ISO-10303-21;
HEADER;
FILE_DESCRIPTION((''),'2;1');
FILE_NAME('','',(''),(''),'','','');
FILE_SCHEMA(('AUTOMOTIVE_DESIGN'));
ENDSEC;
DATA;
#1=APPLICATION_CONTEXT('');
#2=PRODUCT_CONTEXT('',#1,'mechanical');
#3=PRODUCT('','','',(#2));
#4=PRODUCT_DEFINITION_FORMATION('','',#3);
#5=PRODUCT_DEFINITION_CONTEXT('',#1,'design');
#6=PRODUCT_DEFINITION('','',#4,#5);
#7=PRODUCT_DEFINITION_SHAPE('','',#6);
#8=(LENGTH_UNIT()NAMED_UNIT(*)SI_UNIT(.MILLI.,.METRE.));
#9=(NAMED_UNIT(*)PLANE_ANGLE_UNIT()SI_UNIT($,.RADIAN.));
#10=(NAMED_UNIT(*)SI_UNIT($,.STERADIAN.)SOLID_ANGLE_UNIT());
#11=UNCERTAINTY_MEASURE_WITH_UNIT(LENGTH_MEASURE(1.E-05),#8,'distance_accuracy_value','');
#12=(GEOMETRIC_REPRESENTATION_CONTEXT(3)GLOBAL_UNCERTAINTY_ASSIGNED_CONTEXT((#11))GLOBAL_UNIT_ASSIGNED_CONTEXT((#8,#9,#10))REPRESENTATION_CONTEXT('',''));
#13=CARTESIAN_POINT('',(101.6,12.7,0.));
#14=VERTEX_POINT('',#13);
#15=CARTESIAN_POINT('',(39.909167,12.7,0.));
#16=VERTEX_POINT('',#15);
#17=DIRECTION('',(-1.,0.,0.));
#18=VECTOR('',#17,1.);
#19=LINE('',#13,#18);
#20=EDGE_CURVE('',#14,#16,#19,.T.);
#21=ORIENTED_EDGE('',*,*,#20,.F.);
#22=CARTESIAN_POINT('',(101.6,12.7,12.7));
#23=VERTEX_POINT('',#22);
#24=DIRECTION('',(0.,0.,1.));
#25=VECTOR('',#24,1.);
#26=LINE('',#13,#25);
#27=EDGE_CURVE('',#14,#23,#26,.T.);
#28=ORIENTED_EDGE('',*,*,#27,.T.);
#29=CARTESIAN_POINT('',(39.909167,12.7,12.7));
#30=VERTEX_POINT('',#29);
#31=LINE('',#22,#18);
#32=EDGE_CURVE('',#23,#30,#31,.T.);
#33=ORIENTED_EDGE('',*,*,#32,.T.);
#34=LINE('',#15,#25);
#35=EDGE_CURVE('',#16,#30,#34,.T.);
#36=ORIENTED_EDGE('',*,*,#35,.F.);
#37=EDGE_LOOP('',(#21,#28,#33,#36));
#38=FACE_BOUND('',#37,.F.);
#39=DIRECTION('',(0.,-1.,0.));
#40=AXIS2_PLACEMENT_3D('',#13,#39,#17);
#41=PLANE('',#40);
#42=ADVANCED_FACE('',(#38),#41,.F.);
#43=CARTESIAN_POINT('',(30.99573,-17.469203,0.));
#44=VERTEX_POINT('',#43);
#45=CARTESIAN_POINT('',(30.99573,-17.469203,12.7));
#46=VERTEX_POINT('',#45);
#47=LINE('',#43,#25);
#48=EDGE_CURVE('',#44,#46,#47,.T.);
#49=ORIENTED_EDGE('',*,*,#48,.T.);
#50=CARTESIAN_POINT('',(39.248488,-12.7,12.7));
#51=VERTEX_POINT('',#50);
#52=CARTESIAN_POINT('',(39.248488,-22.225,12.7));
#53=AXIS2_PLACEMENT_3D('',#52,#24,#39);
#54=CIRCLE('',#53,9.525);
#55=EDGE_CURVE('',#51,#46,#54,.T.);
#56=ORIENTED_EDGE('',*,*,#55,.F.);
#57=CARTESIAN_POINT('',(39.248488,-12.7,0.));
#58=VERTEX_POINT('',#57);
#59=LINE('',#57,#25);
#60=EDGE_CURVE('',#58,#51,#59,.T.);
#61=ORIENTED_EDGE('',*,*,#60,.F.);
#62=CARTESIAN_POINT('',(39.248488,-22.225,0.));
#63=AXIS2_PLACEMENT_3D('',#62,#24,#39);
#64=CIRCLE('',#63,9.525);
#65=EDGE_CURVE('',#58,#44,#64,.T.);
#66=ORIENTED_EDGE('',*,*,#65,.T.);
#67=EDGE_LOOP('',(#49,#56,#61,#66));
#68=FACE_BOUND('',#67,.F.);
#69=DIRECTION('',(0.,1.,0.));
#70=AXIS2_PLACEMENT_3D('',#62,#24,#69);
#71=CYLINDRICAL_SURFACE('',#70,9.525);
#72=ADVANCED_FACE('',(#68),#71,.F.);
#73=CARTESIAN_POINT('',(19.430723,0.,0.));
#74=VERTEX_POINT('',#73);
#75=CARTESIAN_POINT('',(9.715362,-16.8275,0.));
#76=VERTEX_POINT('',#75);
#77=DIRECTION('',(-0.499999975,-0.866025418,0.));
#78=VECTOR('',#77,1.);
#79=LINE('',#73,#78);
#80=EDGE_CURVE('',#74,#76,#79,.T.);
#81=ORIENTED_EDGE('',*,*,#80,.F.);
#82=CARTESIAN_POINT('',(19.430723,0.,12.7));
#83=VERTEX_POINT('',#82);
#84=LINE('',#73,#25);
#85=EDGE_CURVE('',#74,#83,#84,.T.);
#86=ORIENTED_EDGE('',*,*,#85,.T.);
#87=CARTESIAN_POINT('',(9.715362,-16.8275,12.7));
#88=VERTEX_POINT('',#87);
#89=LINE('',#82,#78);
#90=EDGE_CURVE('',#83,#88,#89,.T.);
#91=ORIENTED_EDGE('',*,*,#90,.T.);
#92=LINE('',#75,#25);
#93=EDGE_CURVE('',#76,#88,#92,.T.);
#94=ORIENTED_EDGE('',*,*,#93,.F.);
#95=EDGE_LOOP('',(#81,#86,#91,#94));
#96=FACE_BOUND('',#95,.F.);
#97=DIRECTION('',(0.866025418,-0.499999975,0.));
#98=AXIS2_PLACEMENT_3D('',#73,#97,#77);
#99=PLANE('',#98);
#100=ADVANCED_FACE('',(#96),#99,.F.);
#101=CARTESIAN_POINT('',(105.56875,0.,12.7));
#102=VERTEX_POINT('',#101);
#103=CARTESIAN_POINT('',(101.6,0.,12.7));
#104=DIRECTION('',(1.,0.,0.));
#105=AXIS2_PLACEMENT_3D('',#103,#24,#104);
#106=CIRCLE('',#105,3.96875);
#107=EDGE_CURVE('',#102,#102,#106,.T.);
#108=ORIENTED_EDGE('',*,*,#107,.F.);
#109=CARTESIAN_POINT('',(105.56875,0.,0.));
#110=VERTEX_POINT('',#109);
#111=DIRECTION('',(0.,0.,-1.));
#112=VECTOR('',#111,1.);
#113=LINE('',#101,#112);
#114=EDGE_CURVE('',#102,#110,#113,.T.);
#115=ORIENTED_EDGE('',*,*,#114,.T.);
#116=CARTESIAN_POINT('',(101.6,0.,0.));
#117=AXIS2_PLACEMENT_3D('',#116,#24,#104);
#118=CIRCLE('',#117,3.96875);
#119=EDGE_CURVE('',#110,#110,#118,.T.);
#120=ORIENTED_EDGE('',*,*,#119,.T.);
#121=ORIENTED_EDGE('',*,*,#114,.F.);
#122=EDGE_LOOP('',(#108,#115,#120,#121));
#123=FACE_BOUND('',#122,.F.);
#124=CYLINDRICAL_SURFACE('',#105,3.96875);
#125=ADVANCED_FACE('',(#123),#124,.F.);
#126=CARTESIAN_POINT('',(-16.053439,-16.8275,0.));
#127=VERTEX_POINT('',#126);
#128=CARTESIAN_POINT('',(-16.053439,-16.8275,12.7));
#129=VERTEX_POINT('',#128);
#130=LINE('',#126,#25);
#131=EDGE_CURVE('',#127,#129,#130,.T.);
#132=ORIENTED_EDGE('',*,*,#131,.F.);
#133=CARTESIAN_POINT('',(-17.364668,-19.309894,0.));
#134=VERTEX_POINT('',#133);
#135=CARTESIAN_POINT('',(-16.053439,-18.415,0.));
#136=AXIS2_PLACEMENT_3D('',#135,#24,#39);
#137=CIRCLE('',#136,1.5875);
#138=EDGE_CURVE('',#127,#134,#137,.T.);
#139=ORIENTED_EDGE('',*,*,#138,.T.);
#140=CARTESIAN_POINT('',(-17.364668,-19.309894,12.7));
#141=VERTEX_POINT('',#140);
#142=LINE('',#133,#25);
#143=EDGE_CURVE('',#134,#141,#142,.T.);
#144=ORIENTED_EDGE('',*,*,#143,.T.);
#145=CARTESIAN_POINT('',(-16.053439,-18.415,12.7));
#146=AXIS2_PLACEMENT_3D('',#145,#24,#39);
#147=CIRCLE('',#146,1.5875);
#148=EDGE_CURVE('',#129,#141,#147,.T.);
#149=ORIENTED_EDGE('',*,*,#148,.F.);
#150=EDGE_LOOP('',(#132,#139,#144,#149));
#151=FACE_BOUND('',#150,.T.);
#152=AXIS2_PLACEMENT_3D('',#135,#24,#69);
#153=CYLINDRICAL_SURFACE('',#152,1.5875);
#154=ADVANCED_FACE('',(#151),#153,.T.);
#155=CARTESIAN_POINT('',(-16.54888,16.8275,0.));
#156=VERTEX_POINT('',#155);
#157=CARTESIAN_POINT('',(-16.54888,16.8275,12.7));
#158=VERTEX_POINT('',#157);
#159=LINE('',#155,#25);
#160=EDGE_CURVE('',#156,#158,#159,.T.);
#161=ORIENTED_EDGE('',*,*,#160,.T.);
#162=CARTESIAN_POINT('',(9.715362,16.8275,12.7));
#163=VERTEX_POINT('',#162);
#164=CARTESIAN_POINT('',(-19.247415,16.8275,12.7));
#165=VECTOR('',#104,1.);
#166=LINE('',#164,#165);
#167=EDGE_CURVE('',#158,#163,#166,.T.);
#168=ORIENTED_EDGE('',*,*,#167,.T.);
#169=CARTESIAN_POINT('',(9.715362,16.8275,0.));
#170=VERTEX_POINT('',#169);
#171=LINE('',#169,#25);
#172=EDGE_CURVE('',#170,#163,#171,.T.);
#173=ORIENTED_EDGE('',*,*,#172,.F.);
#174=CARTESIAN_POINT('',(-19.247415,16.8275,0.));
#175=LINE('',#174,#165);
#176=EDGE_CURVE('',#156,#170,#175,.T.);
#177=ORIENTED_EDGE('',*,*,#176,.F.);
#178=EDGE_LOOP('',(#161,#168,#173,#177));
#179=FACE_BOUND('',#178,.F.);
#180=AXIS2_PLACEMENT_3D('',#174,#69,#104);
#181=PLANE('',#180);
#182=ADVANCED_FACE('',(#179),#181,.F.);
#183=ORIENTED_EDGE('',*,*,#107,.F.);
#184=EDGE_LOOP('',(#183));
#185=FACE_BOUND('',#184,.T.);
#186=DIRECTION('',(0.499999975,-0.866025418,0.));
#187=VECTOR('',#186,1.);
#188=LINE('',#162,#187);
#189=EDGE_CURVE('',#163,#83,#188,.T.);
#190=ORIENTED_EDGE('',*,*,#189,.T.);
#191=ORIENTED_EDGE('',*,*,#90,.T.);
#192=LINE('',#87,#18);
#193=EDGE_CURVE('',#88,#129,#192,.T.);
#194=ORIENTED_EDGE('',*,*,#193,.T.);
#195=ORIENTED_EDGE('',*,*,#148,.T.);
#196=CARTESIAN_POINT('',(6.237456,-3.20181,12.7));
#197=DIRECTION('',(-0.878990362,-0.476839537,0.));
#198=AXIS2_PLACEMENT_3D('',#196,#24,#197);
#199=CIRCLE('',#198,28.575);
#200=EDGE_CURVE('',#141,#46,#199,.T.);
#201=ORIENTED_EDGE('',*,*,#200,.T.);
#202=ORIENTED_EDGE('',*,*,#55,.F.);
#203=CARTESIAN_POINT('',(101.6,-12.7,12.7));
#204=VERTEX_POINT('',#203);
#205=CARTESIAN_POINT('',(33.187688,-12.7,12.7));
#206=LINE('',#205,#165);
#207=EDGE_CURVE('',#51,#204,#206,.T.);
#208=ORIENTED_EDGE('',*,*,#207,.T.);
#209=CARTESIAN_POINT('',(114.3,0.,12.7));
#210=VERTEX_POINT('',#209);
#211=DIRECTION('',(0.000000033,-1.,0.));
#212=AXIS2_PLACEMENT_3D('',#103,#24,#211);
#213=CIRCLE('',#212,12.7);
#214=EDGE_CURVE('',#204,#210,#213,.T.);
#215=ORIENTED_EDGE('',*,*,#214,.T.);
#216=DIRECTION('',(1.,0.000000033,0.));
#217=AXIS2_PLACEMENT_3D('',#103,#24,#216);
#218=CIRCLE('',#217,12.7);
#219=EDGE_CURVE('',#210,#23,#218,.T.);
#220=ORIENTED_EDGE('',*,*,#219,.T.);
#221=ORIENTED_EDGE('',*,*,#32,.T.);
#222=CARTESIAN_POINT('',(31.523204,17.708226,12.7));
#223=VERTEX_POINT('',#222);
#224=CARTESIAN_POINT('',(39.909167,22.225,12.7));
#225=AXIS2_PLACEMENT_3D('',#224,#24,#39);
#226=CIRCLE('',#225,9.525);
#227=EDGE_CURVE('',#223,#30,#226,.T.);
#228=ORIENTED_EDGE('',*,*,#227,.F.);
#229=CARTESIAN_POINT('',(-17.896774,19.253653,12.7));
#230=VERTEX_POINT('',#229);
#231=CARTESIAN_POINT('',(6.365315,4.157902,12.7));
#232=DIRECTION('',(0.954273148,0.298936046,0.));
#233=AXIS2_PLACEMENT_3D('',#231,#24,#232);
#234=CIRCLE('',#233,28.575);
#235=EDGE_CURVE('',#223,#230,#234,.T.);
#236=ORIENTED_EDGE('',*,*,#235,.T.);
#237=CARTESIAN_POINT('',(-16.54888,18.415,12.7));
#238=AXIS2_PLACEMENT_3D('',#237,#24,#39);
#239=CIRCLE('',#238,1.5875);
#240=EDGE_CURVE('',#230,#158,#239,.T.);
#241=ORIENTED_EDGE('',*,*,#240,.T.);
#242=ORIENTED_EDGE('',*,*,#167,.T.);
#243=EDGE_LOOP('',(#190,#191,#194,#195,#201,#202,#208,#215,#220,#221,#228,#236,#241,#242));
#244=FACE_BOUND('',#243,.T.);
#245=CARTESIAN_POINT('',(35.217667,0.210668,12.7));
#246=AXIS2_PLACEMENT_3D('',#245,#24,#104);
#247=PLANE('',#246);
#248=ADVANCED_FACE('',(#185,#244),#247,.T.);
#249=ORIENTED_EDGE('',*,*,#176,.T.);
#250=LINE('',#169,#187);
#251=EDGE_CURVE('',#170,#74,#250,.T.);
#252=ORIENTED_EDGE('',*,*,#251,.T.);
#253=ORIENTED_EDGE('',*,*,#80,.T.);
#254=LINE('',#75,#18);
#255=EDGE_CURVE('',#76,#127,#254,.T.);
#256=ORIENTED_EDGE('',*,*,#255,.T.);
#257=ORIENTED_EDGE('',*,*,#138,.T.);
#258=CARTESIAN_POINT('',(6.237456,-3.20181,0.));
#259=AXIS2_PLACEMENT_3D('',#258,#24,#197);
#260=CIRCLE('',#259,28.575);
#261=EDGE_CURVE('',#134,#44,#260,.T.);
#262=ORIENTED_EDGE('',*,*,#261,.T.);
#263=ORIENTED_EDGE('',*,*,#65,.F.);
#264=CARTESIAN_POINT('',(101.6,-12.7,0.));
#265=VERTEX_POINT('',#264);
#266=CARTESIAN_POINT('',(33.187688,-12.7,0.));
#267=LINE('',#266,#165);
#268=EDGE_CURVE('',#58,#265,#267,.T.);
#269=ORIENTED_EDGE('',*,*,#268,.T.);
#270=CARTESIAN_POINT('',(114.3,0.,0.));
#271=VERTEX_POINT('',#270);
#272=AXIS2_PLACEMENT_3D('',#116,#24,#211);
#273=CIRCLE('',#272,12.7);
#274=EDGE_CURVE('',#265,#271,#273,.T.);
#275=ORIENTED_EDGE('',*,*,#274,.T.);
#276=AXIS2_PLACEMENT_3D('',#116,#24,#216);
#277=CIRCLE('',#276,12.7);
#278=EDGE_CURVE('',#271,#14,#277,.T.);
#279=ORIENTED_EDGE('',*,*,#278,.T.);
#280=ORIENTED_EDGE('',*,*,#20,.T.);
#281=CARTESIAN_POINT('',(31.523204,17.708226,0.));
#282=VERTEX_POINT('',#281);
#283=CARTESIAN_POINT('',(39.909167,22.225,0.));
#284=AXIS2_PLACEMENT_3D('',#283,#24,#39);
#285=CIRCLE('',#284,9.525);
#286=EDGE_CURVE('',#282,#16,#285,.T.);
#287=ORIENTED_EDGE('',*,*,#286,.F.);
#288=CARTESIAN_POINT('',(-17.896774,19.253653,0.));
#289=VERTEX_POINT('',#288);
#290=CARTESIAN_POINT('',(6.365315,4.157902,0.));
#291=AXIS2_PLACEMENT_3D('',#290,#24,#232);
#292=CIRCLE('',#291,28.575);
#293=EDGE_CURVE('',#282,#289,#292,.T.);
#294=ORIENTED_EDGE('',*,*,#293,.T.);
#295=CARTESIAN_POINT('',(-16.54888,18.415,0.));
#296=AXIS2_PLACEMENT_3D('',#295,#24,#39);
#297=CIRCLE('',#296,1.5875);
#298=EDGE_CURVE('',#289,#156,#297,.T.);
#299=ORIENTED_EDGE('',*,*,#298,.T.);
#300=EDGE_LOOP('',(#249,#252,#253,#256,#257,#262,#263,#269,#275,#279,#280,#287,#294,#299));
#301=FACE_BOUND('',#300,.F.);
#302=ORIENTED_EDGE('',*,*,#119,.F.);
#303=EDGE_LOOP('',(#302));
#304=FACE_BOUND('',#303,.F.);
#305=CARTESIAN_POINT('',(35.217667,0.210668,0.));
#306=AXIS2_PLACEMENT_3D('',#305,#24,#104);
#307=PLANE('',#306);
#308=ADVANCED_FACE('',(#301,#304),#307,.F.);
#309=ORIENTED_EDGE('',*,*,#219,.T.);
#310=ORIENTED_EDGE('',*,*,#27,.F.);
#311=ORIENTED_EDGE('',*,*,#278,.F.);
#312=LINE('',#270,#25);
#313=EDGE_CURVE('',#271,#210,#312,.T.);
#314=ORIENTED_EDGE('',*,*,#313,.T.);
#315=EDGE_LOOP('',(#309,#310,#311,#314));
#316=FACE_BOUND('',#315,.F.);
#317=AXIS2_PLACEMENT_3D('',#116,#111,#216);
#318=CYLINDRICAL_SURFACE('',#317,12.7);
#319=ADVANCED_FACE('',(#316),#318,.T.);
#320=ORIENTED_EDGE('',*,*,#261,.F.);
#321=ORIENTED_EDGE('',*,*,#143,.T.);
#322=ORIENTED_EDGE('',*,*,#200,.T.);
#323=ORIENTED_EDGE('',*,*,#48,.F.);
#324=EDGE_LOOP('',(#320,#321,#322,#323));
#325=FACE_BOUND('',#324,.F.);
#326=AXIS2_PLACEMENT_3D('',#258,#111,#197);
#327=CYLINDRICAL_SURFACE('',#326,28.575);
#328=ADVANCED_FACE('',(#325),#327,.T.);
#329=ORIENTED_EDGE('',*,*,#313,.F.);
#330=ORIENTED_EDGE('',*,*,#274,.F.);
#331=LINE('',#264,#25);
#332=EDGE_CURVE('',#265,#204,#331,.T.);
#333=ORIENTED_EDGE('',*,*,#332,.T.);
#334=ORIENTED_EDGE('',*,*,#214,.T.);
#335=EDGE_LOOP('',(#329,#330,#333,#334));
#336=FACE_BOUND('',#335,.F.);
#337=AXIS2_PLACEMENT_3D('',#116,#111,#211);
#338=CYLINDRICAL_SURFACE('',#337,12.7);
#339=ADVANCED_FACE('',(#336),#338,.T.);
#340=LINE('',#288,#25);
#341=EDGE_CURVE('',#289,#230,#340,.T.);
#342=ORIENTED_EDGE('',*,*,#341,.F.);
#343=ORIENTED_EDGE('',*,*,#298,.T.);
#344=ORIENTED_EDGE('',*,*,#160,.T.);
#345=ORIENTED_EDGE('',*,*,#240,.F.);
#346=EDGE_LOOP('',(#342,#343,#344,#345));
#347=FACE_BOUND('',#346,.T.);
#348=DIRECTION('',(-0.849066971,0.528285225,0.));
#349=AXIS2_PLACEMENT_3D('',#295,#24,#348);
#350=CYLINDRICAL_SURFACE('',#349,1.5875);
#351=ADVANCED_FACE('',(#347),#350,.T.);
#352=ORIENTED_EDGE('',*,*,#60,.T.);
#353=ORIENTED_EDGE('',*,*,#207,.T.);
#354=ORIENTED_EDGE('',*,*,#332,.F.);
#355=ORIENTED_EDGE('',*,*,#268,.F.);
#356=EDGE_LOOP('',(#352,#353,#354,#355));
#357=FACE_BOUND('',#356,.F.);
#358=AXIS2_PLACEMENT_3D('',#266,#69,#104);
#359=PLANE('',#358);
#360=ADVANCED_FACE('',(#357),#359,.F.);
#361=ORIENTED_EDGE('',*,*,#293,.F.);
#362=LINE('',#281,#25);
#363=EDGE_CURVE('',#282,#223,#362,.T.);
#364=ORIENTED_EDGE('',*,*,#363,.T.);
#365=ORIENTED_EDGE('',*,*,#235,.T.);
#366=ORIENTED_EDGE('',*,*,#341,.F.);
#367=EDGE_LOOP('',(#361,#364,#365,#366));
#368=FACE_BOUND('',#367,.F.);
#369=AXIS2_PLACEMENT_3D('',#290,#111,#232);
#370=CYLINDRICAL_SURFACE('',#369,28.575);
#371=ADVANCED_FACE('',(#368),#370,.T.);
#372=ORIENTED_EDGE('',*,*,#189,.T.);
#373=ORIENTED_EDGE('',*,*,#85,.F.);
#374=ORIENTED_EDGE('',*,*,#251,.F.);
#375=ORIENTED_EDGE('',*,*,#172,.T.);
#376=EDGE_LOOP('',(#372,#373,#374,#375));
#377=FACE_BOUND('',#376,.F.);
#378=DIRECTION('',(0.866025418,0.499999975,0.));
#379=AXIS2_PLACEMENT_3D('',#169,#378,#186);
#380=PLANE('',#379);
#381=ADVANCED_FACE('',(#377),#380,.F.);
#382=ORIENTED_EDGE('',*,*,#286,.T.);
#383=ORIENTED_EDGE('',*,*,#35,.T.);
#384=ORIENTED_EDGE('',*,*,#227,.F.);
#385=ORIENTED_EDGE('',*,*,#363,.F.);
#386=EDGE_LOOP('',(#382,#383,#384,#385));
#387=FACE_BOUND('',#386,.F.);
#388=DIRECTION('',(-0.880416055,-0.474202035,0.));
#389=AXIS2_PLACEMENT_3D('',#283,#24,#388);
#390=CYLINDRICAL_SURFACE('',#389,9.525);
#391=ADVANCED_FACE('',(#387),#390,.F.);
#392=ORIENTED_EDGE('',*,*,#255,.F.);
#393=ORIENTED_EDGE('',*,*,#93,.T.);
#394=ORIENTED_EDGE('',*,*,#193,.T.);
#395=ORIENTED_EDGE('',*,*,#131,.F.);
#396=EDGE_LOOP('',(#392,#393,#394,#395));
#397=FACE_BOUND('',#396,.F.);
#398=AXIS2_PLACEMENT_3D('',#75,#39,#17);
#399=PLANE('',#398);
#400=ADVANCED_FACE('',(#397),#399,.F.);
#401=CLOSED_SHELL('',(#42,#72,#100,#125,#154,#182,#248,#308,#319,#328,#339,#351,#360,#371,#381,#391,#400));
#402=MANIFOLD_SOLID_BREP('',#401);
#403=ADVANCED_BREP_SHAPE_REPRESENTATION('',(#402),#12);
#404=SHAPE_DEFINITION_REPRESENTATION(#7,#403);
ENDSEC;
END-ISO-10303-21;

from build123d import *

# Parameters (mm, degrees)
F1_DEPTH = 12.7
F2_R     = 3.96875
F3_DEPTH = 12.701
F4_R     = 9.525
F5_R     = 1.5875


with BuildPart() as f1:
    # F0 (on Top) → F1 (new body)
    with BuildSketch(Plane.XY):
        with BuildLine():
            Line((-19.247415, 16.8275), (-9.715362, 16.8275))
            Line((-9.715362, 16.8275), (9.715362, 16.8275))
            Line((9.715362, 16.8275), (19.430723, 0))
            Line((19.430723, 0), (9.715362, -16.8275))
            Line((9.715362, -16.8275), (-9.715362, -16.8275))
            Line((-9.715362, -16.8275), (-18.879693, -16.8275))
            ThreePointArc((-18.879693, -16.8275), (8.495577, -31.687447), (33.187688, -12.7))
            Line((33.187688, -12.7), (101.6, -12.7))
            ThreePointArc((101.6, -12.7), (88.9, 0), (101.6, 12.7))
            Line((101.6, 12.7), (33.63367, 12.7))
            ThreePointArc((33.63367, 12.7), (8.588902, 32.646256), (-19.247415, 16.8275))
        make_face()
        with BuildLine():
            ThreePointArc((114.3, 0), (110.580256, 8.980256), (101.6, 12.7))
            ThreePointArc((101.6, 12.7), (88.9, 0), (101.6, -12.7))
            ThreePointArc((101.6, -12.7), (110.580256, -8.980256), (114.3, 0))
        make_face()
    extrude(amount=F1_DEPTH)

    # F2 (on face) → F3 (cut, through all)
    with BuildSketch(Plane.XY.offset(12.7)):
        with Locations((101.6, 0)):
            Circle(F2_R)
    extrude(amount=-F3_DEPTH, mode=Mode.SUBTRACT)

    # F4
    f4_edges = [f1.edges().sort_by_distance(p)[0] for p in [
        (33.63367, 12.7, 6.35),
        (33.187688, -12.7, 6.35),
    ]]
    fillet(f4_edges, radius=F4_R)

    # F5
    f5_edges = [f1.edges().sort_by_distance(p)[0] for p in [
        (-19.247415, 16.8275, 6.35),
        (-18.879693, -16.8275, 6.35),
    ]]
    fillet(f5_edges, radius=F5_R)


solid = f1.part
